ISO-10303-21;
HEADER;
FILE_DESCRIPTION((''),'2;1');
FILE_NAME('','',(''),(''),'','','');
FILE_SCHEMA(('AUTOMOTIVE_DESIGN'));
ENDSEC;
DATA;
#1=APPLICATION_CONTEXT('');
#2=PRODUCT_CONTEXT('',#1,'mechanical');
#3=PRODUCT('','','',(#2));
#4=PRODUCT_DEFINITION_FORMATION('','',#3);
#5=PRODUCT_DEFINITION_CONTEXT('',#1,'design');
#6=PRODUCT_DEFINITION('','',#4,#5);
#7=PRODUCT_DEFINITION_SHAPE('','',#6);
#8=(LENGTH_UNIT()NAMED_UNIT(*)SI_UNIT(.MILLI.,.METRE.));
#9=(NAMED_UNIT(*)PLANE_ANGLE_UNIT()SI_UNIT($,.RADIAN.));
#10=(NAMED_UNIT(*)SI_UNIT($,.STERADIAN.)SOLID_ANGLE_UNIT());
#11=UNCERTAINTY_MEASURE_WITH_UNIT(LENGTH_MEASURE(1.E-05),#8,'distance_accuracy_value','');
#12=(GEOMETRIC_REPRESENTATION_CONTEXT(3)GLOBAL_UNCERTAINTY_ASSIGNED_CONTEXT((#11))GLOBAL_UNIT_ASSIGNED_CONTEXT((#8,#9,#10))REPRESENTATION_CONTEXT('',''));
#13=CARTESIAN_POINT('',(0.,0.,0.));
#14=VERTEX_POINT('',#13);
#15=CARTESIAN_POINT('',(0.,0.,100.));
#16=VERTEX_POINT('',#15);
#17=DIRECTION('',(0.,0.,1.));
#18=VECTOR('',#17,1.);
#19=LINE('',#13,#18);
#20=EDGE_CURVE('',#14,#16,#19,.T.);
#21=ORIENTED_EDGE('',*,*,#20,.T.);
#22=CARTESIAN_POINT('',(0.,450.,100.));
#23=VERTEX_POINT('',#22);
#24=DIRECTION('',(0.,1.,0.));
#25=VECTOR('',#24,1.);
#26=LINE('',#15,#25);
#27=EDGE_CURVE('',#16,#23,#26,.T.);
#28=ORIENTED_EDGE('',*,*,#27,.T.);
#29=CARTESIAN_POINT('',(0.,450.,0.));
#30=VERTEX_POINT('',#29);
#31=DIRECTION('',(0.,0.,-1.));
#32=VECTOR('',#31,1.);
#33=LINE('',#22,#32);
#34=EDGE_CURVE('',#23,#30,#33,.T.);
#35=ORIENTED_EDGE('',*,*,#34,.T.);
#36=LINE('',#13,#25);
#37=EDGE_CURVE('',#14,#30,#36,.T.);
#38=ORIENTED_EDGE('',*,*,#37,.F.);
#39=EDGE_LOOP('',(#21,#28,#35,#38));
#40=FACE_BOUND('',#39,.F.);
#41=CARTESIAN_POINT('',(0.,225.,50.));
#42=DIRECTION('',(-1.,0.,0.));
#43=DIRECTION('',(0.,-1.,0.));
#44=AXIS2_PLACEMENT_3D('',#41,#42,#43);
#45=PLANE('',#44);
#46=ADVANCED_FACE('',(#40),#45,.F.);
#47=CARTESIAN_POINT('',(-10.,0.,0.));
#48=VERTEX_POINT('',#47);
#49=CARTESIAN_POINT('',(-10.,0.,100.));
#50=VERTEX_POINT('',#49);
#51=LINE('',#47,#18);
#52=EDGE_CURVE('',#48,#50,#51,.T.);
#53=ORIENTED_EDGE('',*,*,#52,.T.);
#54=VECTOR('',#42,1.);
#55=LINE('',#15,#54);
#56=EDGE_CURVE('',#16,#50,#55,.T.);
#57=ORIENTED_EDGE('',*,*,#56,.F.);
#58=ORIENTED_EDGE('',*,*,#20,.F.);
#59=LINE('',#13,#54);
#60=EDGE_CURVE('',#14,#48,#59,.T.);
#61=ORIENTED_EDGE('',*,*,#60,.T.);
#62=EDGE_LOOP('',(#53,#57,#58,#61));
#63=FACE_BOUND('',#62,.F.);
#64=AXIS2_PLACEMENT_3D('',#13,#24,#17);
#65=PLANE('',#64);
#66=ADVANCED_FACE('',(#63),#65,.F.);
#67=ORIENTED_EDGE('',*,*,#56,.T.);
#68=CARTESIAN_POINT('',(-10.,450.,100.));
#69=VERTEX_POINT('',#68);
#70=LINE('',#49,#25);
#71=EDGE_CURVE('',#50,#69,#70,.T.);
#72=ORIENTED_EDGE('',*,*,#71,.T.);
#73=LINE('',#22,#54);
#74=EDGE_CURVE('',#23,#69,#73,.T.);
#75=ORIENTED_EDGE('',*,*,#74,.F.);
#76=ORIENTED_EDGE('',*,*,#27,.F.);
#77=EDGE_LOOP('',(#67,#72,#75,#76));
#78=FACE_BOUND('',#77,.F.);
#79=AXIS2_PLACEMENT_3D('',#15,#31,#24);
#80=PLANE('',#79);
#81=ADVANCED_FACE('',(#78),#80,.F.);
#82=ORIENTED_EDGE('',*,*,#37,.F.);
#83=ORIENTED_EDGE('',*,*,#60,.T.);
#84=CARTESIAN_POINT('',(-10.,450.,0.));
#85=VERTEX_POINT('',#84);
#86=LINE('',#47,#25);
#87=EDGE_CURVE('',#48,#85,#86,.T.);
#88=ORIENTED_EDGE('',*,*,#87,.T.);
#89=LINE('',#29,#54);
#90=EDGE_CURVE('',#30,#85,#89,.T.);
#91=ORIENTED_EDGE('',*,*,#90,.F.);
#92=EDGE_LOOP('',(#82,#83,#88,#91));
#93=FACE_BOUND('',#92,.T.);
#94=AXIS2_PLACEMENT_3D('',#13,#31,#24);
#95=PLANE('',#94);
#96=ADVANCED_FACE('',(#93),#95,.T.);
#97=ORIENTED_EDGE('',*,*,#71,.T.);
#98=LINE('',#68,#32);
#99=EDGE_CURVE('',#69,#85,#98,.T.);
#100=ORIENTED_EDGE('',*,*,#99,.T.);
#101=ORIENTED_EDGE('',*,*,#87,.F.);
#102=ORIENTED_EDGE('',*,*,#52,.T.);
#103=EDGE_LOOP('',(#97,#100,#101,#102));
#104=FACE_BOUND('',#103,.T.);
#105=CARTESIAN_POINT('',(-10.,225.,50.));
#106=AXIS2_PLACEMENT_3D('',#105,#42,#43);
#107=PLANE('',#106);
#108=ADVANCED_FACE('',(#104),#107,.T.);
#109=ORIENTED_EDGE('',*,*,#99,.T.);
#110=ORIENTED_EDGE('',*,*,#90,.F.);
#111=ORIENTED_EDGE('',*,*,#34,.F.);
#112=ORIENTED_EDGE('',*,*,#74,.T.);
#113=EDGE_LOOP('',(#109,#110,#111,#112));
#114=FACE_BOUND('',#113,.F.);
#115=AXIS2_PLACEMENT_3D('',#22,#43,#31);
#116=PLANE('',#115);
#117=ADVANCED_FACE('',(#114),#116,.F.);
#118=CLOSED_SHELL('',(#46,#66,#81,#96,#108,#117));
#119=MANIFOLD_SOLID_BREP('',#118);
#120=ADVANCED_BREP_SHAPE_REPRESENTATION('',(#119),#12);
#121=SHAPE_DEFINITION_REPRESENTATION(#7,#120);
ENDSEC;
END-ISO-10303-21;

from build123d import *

# Parameters (mm, degrees)
PAD_DEPTH = 10


with BuildPart() as part:
    # Sketch → Pad (new body)
    with BuildSketch(Plane.YZ):
        Polygon((0, 0), (0, 100), (450, 100), (450, 0), (225, 0), align=None)
    extrude(amount=-PAD_DEPTH)


solid = part.part
